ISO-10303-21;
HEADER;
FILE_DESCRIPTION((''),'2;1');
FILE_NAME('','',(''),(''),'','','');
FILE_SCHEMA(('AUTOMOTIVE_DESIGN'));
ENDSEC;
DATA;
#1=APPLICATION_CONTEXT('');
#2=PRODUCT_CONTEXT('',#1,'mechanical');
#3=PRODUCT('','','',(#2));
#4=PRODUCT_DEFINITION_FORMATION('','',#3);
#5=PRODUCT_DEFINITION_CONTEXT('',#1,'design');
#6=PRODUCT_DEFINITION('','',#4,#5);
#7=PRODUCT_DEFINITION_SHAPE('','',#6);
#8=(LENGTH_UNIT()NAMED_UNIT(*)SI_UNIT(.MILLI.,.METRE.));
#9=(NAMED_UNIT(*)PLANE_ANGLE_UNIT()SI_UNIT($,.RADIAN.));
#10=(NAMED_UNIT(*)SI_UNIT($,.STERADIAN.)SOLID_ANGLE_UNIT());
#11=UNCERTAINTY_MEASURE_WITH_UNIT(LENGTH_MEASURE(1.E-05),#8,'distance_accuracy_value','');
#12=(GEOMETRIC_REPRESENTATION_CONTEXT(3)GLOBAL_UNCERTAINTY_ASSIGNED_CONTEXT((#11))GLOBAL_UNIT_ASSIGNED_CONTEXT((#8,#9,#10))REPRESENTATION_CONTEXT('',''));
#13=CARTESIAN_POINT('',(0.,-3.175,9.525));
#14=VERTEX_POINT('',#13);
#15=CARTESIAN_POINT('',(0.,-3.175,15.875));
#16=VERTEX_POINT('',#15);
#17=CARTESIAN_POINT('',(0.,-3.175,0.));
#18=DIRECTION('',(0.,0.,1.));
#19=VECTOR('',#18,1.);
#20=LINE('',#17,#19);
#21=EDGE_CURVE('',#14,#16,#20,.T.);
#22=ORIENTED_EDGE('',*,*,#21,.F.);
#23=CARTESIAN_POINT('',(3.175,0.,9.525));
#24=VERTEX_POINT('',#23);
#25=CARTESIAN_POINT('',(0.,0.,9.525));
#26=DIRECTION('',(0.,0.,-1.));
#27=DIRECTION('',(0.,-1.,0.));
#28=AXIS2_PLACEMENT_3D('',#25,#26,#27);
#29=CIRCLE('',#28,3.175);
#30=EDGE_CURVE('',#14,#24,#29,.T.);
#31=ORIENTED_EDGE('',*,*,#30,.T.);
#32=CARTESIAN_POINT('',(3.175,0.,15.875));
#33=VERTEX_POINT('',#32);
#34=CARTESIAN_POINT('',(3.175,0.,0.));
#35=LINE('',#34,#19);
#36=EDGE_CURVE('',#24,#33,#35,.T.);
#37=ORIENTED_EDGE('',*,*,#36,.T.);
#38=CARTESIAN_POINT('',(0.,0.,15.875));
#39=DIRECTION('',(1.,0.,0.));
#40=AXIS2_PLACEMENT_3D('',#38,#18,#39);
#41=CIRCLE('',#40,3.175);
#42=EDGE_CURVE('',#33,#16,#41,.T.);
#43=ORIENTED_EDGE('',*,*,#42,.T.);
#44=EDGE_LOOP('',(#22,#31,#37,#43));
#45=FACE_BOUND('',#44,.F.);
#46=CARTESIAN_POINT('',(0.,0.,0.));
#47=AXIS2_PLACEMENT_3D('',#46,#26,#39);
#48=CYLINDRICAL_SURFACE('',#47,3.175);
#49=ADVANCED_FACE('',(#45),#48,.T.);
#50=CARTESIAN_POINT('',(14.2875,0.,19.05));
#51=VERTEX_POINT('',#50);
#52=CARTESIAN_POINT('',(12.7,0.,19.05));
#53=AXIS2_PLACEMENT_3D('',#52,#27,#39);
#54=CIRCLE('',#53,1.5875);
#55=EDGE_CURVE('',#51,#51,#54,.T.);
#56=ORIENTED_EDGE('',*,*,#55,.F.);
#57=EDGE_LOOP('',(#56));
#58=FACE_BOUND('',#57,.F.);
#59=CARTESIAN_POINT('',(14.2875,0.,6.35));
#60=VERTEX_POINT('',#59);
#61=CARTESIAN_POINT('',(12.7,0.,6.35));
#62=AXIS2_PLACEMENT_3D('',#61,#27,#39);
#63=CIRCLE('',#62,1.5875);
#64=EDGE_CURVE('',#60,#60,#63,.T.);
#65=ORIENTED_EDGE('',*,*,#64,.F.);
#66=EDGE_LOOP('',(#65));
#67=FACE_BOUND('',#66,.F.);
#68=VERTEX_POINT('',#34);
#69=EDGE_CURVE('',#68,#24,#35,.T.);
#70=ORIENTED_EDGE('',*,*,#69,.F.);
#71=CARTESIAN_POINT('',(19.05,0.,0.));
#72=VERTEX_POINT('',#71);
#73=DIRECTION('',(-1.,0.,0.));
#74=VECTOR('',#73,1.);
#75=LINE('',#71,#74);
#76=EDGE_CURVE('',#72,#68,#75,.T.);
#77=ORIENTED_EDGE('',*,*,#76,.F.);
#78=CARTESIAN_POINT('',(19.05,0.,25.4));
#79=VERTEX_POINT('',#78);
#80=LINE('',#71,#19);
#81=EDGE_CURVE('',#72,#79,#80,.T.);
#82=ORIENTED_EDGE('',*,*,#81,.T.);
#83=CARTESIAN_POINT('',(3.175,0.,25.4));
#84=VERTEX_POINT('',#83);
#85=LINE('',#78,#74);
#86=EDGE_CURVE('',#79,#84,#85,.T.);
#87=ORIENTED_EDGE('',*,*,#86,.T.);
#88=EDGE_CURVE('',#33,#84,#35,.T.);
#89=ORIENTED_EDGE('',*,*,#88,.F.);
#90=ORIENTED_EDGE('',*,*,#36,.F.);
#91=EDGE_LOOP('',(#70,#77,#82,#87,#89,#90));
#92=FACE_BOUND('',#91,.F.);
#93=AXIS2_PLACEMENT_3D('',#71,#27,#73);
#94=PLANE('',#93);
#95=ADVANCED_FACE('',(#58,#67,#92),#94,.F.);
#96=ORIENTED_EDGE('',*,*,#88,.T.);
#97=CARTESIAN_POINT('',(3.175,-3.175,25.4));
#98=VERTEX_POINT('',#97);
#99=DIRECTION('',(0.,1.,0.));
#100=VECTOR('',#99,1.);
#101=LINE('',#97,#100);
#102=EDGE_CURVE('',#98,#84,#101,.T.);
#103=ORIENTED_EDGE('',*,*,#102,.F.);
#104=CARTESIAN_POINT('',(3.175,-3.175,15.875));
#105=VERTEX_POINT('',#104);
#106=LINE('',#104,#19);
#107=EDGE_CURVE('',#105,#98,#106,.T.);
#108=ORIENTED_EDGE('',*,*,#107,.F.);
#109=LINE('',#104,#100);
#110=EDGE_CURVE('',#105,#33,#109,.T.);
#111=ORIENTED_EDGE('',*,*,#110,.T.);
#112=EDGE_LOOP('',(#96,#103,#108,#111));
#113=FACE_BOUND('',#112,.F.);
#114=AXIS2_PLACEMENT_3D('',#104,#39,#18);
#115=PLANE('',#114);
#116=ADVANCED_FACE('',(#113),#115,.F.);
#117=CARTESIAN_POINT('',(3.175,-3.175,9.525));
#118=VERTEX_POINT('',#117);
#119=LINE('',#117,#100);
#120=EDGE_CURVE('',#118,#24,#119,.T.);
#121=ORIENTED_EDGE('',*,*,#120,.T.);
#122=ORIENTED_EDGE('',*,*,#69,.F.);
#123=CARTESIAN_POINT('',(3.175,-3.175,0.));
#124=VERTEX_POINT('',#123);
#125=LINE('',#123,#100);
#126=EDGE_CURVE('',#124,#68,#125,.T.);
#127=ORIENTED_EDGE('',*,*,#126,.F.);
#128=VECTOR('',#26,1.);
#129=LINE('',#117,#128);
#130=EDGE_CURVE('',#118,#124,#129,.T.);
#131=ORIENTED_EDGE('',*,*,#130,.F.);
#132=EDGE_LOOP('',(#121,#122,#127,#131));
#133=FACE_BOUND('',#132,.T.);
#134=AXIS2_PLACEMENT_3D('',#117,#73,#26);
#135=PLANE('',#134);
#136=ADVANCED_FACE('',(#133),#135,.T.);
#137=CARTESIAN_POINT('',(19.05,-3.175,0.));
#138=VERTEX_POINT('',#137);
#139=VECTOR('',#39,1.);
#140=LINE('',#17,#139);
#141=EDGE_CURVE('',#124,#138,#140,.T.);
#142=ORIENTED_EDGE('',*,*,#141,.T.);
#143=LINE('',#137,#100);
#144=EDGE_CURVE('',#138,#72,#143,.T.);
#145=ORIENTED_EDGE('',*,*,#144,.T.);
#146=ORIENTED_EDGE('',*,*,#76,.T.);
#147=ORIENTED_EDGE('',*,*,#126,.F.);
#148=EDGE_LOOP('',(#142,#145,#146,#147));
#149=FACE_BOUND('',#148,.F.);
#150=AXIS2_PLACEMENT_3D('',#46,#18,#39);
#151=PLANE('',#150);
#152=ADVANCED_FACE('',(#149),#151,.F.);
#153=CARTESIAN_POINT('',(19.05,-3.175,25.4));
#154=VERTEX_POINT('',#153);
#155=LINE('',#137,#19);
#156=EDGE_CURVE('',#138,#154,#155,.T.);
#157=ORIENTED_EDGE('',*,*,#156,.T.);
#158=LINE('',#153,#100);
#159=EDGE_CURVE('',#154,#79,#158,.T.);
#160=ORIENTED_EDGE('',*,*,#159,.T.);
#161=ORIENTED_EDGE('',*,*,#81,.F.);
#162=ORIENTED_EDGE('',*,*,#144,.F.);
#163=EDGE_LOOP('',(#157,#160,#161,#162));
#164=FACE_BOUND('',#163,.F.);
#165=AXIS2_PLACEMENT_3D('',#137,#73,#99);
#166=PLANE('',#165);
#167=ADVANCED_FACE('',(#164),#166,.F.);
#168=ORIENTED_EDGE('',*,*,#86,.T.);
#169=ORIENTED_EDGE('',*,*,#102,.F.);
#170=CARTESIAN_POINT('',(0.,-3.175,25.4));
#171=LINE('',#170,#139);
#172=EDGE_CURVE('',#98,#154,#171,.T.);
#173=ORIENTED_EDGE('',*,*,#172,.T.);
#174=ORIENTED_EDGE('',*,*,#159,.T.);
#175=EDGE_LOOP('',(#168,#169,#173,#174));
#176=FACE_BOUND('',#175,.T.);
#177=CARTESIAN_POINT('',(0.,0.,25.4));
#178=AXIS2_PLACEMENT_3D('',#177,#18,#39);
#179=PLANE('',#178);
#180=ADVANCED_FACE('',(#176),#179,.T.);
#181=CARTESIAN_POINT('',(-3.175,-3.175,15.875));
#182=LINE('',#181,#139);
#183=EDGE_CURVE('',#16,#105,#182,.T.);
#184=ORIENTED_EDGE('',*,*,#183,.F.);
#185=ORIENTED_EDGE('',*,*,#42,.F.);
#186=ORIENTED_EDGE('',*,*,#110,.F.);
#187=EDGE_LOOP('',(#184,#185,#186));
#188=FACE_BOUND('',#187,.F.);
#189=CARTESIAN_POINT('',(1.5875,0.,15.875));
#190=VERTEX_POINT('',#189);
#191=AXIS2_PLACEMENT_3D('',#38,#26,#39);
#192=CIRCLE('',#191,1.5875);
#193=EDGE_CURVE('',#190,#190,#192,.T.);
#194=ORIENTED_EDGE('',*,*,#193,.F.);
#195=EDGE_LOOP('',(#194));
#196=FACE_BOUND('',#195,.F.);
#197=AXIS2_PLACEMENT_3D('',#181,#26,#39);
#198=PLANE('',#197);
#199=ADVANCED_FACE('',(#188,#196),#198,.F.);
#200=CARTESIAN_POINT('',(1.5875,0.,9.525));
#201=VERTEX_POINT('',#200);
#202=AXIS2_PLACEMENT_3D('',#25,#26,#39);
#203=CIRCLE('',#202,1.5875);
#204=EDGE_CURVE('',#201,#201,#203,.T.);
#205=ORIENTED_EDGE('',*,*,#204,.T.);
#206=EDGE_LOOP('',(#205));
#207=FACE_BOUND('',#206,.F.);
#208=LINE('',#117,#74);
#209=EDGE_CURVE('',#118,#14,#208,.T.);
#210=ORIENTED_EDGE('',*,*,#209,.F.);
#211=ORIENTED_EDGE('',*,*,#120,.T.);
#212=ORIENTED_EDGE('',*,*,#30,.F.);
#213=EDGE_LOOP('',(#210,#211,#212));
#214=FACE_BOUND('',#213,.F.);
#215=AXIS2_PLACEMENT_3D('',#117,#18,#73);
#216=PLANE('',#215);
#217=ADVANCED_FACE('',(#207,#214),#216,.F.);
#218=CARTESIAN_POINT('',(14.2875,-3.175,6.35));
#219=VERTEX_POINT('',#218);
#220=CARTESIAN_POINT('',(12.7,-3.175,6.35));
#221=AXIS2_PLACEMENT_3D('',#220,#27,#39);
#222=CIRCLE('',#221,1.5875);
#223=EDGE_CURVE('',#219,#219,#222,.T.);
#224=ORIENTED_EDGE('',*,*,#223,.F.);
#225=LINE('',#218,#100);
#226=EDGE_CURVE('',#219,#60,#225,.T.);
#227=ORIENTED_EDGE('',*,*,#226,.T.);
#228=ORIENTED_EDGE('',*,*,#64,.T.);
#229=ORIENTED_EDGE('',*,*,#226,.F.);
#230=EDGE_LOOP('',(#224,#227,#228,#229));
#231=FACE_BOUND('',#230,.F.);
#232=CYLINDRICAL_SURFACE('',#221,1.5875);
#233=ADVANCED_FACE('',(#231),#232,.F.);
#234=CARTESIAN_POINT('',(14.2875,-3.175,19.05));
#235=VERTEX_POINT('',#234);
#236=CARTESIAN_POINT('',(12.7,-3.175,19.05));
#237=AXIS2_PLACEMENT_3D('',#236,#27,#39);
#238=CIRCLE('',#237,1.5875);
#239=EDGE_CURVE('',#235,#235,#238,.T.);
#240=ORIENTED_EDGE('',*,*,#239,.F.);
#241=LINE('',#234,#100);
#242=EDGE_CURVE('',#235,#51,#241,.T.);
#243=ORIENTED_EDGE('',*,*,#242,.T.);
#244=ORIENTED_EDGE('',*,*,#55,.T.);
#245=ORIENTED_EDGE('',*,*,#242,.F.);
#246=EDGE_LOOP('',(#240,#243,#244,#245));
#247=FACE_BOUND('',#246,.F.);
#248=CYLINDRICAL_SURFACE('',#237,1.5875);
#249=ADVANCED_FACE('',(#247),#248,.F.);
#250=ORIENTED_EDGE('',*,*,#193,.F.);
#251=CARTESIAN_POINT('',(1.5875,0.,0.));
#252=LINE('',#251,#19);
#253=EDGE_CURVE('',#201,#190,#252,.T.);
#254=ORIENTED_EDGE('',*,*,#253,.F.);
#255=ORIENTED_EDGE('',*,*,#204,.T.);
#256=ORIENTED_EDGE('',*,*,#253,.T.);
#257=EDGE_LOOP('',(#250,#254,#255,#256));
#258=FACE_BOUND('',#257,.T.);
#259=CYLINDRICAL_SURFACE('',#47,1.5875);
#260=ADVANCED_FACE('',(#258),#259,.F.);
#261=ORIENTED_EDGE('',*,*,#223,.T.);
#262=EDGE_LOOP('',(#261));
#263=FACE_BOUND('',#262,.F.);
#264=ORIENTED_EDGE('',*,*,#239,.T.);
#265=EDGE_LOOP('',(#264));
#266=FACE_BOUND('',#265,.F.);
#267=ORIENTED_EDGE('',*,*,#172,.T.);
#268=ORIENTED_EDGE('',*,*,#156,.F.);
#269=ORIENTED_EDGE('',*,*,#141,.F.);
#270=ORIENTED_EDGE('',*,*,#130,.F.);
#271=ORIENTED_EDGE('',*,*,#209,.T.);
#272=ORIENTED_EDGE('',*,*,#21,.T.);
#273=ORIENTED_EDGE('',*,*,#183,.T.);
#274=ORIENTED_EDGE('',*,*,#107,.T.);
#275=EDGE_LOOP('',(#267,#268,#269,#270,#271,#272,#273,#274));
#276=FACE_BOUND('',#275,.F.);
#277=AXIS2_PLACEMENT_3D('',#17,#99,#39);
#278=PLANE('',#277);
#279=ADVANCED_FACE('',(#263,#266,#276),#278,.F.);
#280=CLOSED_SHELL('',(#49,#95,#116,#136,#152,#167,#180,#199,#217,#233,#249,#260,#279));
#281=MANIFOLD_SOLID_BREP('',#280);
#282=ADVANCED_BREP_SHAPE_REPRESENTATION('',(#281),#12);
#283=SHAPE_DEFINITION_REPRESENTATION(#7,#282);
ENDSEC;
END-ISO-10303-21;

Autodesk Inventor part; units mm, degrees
ref_plane "YZ Plane" through (0, 0, 0) normal (1, 0, 0) x (0, 1, 0)
ref_plane "XZ Plane" through (0, 0, 0) normal (0, 1, 0) x (-1, 0, 0)
ref_plane "XY Plane" through (0, 0, 0) normal (0, 0, 1) x (1, 0, 0)
sketch "Sketch1" plane through (0, 0, 0) normal (0, 0, 1) x (1, 0, 0)
  circle A0 centre (0, 0) radius 3.175
  circle A1 centre (0, 0) radius 1.5875
  line L0 (0, -3.175) -> (19.05, -3.175)
  line L1 (19.05, -3.175) -> (19.05, 0)
  line L2 (19.05, 0) -> (1.5875, 0)
  line L3 (0, -1.5875) -> (0, -3.175)
  dimension "d1" = 6.35
  dimension "d0" = 3.175
  dimension "d2" = 3.175
  dimension "d3" = 19.05
extrude "Extrusion1" add sketch "Sketch1" along normal blind 25.4 contours L2 A1 L3 A0 | L2 L1 L0 A0 | A0 L3 A1 L2
sketch "Sketch2" plane through (0, -3.175, 0) normal (0, -1, 0) x (1, 0, 0)
  line L0 (19.05, 25.4) -> (0, 25.4) projected
  line L1 (0, 0) -> (19.05, 0) projected
  line L2 (3.175, 9.525) -> (-3.175, 9.525)
  line L3 (-3.175, 9.525) -> (-3.175, 15.875)
  line L4 (-3.175, 15.875) -> (3.175, 15.875)
  line L5 (3.175, 15.875) -> (3.175, 9.525)
  line L6 (-1.5875, 25.4) -> (1.5875, 25.4) projected
  line L7 (-3.175, 9.525) -> (3.175, 9.525)
  line L8 (3.175, 9.525) -> (3.175, 0)
  line L9 (3.175, 0) -> (-3.175, 0)
  line L10 (-3.175, 0) -> (-3.175, 9.525)
  line L11 (-3.175, 15.875) -> (3.175, 15.875)
  line L12 (3.175, 15.875) -> (3.175, 25.4)
  line L13 (3.175, 25.4) -> (-3.175, 25.4)
  line L14 (-3.175, 25.4) -> (-3.175, 15.875)
  line L15 (3.175, 9.525) -> (3.175, 0)
  line L16 (0, 0) -> (3.175, 0)
  circle A0 centre (12.7, 19.05) radius 1.5875
  circle A1 centre (12.7, 6.35) radius 1.5875
  dimension "d6" = 6.35
  dimension "d7" = 6.35
  dimension "d8" = 9.525
  dimension "d9" = 3.175
  dimension "d10" = 3.175
  dimension "d13" = 3.175
  dimension "d14" = 3.175
  dimension "d15" = 6.35
  dimension "d16" = 6.35
  dimension "d17" = 12.7
  dimension "d18" = 6.35
extrude "Extrusion2" cut sketch "Sketch2" against normal blind 25.4 contours L12 L4 L14 L13 L6 L0 | L8 L1 L9 L10 L2 | A0 | A1
properties part number "hinge one prong"
